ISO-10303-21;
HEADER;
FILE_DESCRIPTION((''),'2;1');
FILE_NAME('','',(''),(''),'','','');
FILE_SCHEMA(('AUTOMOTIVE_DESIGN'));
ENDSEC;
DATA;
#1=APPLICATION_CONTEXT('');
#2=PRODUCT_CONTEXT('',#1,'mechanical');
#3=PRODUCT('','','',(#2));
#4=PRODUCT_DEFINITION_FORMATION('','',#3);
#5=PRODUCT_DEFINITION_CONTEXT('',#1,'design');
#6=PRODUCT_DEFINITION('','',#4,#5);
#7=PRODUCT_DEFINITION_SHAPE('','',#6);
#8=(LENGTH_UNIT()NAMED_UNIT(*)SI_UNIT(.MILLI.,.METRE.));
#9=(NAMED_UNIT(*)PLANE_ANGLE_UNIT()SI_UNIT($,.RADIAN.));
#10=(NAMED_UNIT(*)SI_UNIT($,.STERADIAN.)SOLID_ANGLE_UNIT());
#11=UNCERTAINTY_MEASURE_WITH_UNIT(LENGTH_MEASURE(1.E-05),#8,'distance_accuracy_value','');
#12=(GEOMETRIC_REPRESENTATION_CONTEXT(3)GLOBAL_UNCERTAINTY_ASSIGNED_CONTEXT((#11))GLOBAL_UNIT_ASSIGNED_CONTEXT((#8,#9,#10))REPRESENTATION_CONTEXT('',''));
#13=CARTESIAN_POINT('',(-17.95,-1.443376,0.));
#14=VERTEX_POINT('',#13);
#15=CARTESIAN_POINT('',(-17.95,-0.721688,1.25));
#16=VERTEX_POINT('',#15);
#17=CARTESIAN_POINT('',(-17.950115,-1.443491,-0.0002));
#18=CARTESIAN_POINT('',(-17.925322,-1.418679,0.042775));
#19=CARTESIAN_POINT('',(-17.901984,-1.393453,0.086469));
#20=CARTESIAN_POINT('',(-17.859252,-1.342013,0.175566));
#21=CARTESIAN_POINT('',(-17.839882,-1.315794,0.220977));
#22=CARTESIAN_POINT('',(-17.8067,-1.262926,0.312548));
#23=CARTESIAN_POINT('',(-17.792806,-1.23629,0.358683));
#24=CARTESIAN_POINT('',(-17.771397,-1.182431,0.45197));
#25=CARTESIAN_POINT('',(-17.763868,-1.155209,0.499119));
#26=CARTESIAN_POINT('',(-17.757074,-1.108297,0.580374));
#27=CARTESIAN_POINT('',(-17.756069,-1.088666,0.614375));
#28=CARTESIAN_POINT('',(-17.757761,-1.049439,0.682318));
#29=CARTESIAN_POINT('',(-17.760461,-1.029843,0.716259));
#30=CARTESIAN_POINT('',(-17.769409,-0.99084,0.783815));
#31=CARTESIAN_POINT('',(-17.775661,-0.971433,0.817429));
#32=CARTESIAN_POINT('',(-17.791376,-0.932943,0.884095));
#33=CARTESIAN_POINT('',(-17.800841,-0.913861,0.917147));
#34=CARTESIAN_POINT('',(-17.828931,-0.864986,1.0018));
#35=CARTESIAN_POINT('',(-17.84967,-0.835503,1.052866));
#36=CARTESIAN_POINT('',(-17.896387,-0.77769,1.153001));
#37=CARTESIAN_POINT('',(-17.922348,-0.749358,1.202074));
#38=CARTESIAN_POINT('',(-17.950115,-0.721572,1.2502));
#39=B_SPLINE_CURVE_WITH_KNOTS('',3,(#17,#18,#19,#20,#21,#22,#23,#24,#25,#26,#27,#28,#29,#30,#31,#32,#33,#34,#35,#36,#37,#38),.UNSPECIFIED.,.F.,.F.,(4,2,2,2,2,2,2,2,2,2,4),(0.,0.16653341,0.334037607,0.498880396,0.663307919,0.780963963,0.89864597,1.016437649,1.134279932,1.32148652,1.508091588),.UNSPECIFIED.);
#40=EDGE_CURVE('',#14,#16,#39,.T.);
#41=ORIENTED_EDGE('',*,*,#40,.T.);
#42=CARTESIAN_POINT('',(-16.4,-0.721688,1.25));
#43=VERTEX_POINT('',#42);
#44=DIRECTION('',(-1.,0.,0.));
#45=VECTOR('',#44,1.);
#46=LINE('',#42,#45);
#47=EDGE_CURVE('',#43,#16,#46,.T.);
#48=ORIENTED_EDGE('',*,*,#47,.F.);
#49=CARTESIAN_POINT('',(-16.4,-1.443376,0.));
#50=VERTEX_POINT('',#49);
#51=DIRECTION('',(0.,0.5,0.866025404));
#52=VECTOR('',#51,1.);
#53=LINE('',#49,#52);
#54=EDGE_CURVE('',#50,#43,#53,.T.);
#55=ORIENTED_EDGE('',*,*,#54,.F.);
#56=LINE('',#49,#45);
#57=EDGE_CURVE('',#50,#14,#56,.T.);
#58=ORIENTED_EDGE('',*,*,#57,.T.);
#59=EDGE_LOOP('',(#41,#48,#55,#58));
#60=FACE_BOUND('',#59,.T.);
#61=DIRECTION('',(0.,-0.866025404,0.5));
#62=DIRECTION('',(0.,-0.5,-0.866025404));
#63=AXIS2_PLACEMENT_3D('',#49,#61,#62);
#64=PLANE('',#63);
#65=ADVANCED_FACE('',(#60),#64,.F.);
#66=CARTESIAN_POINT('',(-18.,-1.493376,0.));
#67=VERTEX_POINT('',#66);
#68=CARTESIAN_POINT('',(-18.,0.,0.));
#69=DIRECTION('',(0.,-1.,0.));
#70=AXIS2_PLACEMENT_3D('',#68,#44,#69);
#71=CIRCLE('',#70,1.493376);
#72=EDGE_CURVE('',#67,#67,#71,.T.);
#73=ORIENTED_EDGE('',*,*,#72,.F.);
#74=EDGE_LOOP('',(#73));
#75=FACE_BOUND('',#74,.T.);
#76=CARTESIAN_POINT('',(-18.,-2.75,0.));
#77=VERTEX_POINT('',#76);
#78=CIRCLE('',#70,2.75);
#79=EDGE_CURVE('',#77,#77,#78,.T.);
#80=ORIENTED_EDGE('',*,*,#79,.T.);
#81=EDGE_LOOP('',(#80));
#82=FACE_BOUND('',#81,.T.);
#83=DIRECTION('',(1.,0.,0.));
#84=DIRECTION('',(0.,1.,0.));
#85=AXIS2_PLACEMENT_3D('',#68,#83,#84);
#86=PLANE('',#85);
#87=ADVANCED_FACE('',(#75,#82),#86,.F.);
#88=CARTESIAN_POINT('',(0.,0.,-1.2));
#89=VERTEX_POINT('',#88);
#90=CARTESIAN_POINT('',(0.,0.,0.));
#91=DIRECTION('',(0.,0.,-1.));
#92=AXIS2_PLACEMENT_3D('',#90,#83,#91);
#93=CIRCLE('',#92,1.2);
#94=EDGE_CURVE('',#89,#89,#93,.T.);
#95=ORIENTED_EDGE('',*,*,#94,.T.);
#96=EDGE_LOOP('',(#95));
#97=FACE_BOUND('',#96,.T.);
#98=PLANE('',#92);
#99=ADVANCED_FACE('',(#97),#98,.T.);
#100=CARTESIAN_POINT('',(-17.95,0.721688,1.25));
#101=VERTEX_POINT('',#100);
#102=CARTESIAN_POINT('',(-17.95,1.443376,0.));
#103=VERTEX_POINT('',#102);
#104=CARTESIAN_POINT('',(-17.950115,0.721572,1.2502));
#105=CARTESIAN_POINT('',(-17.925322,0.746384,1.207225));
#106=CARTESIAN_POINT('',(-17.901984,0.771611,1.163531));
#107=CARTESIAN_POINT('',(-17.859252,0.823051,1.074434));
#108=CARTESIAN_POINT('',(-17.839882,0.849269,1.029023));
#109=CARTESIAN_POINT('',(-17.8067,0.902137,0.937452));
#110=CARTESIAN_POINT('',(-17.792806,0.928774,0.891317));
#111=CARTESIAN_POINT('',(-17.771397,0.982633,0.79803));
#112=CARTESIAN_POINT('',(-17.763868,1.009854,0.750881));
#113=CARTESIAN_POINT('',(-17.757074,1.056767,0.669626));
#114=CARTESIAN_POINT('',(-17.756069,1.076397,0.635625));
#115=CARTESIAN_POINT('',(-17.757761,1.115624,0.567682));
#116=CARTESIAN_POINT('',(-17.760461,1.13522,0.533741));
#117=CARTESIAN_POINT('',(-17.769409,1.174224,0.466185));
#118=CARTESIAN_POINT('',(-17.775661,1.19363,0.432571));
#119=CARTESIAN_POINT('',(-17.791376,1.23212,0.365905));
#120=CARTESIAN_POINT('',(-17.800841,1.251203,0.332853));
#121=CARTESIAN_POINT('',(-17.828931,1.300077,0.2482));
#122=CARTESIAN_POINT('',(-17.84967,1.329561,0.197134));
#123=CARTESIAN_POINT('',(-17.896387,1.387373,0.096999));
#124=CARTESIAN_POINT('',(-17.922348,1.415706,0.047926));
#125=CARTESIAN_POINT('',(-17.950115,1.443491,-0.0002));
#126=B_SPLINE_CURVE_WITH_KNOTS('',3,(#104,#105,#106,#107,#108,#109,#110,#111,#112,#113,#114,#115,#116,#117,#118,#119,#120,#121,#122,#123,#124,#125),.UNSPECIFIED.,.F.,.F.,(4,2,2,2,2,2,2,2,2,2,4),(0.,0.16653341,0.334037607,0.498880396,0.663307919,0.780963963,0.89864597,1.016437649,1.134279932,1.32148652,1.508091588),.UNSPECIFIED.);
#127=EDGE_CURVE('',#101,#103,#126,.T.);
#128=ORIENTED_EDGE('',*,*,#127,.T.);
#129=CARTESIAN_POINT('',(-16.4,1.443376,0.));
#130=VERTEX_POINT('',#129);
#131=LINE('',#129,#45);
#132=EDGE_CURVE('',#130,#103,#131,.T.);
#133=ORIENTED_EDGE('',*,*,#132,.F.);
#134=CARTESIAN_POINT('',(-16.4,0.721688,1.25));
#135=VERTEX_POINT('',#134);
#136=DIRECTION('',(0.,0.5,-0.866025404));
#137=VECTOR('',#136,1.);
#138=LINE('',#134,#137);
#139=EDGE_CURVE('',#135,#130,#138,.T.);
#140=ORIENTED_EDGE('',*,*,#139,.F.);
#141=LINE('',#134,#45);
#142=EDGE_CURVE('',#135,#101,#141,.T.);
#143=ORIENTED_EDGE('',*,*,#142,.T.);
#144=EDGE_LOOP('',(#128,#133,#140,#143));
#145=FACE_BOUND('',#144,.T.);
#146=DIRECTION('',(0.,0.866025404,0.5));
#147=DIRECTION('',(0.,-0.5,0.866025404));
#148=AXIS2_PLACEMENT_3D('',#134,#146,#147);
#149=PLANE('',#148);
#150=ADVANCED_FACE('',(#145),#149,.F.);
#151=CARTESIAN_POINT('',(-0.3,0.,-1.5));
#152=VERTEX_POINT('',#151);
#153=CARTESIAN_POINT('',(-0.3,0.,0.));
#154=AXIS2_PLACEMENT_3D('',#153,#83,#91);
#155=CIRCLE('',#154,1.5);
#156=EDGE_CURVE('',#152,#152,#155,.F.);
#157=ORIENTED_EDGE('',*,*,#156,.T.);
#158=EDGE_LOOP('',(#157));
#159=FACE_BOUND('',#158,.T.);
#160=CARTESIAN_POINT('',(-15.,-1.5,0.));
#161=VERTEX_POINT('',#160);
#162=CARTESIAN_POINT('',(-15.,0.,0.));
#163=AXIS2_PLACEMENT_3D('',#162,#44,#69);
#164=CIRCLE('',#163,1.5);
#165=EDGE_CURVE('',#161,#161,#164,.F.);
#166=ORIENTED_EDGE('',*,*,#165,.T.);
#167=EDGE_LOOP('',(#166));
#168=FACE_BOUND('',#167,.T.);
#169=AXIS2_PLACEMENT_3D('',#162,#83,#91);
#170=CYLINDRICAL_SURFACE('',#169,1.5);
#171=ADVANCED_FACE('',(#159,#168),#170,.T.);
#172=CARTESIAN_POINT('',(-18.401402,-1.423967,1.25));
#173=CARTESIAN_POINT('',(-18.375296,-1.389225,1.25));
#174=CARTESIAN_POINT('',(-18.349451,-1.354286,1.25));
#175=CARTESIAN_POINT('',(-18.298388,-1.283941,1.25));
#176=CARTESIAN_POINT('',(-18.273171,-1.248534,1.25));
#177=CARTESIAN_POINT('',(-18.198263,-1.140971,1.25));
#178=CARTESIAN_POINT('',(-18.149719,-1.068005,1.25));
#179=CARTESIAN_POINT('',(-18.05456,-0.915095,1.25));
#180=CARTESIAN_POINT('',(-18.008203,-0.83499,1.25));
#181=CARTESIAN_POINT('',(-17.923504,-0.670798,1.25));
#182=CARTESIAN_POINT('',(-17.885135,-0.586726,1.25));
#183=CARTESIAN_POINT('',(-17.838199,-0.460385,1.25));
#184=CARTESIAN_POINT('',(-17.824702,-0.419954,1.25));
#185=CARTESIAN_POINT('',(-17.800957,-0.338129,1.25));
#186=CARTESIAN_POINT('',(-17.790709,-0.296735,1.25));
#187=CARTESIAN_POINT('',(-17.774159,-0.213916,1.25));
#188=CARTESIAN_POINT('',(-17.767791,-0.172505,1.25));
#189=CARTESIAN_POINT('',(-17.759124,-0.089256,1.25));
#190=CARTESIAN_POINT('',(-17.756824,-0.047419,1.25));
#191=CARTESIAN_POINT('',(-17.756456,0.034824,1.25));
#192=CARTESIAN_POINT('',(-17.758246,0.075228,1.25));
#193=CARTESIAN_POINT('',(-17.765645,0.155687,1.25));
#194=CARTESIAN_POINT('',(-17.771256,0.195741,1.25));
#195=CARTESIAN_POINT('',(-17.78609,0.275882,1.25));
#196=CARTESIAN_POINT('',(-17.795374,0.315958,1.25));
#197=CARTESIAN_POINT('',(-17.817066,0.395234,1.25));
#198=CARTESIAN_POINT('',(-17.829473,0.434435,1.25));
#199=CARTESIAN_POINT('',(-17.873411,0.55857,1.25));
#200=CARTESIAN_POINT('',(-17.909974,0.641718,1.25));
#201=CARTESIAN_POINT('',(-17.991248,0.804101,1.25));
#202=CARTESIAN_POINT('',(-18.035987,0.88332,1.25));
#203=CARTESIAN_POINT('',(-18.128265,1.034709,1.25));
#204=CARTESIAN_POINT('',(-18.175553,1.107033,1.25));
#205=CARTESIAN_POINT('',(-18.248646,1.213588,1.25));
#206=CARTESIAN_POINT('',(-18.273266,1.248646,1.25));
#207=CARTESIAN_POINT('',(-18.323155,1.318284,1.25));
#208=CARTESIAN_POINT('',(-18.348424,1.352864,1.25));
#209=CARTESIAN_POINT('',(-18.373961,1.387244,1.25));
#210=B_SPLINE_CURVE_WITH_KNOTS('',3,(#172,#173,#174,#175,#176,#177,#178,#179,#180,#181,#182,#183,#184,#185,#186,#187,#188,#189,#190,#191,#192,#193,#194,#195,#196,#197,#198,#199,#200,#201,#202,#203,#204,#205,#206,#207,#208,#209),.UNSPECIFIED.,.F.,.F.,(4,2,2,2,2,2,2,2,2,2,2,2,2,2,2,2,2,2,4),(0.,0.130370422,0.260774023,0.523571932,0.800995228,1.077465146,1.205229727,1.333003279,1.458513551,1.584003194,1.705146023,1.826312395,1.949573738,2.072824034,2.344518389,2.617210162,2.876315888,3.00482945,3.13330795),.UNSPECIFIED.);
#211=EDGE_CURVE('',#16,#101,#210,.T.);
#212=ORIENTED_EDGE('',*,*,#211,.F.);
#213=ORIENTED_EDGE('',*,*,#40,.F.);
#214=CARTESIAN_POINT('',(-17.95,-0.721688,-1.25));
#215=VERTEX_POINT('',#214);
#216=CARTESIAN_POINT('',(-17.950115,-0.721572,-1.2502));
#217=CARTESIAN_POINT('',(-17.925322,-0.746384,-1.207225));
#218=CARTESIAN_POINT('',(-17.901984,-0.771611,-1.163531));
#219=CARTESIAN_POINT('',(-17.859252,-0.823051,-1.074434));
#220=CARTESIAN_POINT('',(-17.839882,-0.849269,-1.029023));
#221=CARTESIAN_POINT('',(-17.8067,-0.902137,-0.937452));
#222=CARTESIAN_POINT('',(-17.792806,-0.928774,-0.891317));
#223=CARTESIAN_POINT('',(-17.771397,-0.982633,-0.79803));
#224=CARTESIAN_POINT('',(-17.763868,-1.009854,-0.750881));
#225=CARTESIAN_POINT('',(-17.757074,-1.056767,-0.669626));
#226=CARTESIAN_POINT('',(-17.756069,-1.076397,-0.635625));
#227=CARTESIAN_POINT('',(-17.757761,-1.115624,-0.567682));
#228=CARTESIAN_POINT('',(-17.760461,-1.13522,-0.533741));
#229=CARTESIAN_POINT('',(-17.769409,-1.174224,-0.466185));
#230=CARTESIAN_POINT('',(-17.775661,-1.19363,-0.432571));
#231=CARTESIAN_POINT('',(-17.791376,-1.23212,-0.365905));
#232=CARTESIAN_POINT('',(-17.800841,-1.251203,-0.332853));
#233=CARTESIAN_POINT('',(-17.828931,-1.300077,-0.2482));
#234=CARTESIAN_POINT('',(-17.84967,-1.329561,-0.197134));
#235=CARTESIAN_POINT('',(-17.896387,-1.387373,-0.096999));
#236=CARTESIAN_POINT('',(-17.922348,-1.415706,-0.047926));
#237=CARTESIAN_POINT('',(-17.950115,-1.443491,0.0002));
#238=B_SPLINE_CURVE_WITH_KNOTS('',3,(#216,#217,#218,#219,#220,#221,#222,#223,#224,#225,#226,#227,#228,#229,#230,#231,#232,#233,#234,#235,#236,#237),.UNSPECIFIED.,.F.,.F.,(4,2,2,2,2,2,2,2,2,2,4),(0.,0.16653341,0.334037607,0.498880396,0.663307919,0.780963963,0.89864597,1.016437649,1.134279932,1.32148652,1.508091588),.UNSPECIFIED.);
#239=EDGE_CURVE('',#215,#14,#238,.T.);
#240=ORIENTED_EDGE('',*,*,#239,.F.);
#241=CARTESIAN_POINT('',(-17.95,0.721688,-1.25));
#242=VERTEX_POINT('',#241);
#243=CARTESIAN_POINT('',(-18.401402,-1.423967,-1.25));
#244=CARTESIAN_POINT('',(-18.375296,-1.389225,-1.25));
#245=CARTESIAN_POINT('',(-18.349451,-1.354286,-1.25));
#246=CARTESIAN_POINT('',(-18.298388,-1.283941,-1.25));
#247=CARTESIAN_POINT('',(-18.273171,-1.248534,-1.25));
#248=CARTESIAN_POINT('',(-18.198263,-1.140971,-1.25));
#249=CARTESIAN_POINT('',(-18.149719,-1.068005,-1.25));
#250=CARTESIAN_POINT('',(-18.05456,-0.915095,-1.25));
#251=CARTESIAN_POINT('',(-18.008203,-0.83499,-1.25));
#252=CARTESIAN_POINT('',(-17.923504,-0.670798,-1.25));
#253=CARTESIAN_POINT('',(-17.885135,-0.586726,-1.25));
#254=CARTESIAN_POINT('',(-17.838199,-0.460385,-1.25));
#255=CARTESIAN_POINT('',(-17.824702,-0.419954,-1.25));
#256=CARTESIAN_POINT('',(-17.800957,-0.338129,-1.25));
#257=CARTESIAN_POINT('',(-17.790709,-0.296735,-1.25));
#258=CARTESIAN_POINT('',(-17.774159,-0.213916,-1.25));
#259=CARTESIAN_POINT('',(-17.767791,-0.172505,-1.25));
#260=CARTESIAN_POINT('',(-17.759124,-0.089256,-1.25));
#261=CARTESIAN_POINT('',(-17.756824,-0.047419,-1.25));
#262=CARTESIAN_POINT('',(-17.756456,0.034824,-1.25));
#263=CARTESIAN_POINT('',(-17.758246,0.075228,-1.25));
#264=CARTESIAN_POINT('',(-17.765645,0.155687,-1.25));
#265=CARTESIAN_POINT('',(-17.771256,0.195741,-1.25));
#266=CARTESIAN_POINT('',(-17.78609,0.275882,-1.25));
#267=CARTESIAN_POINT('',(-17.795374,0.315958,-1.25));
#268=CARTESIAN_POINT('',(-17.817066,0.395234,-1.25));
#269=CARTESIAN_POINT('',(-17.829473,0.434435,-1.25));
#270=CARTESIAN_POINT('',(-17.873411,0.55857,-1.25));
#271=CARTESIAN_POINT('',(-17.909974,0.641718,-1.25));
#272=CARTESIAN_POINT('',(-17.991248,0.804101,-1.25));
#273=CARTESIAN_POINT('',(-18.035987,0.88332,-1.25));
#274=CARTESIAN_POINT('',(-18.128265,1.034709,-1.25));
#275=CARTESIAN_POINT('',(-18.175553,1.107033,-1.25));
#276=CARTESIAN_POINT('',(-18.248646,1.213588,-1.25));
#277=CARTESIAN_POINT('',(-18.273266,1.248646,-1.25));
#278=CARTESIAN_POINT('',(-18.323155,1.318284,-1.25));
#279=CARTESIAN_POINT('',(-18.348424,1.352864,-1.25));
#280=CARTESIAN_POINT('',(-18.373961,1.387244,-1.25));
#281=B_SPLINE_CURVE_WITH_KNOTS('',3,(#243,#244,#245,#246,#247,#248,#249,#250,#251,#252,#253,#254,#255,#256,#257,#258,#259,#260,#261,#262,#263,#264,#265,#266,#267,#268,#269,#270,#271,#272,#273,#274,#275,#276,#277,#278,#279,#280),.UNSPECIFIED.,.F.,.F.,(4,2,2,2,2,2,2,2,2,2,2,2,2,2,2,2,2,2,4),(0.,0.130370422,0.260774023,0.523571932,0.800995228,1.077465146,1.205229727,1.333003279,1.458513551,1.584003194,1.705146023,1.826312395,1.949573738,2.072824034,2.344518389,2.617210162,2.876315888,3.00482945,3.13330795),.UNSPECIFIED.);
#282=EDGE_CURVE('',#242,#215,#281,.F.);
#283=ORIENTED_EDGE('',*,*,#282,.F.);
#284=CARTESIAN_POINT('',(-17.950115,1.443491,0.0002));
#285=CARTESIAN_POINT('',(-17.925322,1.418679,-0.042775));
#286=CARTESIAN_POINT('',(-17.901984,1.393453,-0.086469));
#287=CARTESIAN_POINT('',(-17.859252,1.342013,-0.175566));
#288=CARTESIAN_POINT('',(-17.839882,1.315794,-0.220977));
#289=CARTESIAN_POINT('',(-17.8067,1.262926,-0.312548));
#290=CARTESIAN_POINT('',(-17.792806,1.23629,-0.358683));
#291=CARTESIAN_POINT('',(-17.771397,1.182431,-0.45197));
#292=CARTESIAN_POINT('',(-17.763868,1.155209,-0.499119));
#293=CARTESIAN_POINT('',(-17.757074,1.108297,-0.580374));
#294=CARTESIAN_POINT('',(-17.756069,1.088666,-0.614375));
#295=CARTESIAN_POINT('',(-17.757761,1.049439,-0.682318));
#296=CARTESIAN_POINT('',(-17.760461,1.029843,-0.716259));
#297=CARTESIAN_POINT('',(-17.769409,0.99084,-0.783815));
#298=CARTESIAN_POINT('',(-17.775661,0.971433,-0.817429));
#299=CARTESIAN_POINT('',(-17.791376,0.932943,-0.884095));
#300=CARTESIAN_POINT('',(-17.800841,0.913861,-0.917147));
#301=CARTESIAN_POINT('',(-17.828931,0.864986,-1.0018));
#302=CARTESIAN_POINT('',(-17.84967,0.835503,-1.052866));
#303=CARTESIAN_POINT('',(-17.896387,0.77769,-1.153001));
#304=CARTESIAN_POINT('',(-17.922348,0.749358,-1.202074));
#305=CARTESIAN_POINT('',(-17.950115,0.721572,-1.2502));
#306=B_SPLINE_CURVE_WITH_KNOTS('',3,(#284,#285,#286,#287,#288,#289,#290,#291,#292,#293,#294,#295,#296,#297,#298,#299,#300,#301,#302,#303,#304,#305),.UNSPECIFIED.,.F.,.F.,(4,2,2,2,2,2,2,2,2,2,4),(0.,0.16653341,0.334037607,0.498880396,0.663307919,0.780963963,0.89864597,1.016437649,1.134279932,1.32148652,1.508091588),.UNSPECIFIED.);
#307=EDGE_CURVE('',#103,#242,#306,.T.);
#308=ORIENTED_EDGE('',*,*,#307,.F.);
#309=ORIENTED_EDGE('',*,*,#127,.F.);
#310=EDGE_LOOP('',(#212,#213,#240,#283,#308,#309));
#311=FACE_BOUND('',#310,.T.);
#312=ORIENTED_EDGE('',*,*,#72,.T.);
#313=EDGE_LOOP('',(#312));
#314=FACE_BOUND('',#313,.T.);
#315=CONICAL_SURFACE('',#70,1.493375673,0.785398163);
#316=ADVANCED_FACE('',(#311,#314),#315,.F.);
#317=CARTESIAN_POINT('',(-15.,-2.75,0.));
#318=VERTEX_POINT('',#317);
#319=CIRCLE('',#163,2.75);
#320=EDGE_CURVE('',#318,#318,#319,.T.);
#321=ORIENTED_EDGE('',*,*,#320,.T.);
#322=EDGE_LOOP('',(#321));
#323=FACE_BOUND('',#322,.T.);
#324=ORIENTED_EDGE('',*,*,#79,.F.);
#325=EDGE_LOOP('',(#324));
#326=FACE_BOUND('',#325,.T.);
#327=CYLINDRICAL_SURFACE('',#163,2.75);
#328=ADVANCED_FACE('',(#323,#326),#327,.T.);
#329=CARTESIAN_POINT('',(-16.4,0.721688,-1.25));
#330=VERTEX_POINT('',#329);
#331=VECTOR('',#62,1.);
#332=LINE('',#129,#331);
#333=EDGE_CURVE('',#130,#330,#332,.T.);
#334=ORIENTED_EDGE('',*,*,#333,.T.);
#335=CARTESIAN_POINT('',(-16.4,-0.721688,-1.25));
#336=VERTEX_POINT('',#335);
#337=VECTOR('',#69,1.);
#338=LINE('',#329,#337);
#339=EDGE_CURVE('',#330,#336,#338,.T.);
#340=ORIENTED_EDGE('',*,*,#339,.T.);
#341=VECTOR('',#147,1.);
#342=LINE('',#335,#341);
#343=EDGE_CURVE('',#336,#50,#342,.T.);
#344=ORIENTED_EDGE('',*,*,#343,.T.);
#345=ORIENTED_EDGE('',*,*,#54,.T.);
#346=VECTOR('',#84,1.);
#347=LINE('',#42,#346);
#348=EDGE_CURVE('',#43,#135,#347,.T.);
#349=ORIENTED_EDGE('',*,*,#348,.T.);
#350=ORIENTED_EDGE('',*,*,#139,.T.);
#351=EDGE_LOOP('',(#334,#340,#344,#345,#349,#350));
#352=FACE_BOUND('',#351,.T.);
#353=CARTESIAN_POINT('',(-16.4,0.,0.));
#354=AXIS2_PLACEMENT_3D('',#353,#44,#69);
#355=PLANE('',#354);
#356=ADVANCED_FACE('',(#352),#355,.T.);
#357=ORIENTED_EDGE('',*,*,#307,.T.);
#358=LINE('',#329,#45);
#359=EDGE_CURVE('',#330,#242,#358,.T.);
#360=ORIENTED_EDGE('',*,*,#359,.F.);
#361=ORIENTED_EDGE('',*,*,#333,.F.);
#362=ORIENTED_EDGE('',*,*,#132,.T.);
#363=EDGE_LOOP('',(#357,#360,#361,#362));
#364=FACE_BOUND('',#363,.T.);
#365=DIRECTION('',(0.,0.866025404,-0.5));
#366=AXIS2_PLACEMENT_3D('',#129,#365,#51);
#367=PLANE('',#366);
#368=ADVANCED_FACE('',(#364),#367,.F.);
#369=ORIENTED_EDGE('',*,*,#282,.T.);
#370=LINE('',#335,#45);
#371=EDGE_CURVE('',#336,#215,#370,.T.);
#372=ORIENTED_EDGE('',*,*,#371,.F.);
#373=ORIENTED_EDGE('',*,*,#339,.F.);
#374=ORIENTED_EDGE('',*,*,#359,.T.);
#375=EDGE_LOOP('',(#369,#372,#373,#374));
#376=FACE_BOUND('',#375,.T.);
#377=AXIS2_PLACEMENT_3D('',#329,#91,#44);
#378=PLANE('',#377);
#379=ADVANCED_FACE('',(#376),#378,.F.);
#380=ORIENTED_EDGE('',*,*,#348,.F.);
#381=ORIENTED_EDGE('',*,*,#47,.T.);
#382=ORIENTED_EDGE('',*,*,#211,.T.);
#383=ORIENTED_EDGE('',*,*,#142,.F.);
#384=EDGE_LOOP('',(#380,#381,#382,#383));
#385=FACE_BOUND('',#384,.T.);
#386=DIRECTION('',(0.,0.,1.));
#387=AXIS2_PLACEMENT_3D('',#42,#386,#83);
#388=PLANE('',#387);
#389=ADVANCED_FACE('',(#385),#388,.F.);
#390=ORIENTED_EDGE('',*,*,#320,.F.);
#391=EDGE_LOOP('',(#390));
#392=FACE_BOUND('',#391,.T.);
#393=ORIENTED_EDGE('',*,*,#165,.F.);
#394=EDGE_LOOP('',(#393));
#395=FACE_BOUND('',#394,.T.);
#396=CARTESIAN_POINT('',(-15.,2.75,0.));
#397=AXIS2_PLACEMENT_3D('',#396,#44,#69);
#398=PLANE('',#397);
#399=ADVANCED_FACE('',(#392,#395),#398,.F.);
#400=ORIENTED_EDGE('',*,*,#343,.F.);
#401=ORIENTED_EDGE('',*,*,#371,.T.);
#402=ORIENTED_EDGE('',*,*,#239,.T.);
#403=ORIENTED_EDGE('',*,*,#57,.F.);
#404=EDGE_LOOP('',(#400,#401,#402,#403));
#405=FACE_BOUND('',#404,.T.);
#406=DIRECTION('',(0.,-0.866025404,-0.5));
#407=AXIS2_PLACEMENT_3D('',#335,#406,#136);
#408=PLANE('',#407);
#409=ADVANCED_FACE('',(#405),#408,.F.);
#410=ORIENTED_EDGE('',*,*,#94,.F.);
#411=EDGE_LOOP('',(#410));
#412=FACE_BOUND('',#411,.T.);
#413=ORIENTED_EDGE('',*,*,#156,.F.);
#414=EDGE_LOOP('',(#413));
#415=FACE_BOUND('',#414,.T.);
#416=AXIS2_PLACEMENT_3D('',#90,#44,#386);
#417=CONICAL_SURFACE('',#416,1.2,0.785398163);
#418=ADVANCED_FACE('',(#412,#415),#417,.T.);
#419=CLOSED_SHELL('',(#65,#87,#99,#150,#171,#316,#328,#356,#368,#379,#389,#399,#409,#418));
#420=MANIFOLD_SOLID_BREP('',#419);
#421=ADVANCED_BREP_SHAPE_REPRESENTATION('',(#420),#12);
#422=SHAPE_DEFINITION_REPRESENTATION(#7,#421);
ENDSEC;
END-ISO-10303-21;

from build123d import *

# Parameters (mm, degrees)
SKETCH2_R           = 1.5
BOSS_EXTRUDE1_DEPTH = 15
CHAMFER1_SIZE       = 0.3
SKETCH6_W           = 3
SKETCH6_H           = 2.75
CUT_EXTRUDE1_DEPTH  = 1.6
SKETCH8_R           = 1.493375673
CUT_EXTRUDE2_DEPTH  = 1
CUT_EXTRUDE2_TAPER  = 45


with BuildPart() as part:
    # Sketch2 → Boss-Extrude1 (new body)
    with BuildSketch(Plane(origin=(0, 0, 0), x_dir=(0, 0, -1), z_dir=(1, 0, 0))):
        Circle(SKETCH2_R)
    extrude(amount=-BOSS_EXTRUDE1_DEPTH)

    # Chamfer1
    chamfer1_edges = [part.edges().sort_by_distance(p)[0] for p in [
        (0, 0, 1.5),
    ]]
    chamfer(chamfer1_edges, length=CHAMFER1_SIZE)

    # Sketch6 → Revolve1 (revolve)
    with BuildSketch(Plane.XY):
        with Locations((-16.5, 1.375)):
            Rectangle(SKETCH6_W, SKETCH6_H)
    revolve(axis=Axis((-15, 0, 0), (1, 0, 0)))

    # Sketch7 → Cut-Extrude1 (cut)
    with BuildSketch(Plane.ZY.offset(18)):
        Polygon((0, 1.443375673), (-1.25, 0.721687836), (-1.25, -0.721687836), (0, -1.443375673), (1.25, -0.721687836), (1.25, 0.721687836), align=None)
    extrude(amount=-CUT_EXTRUDE1_DEPTH, mode=Mode.SUBTRACT)

    # Sketch8 → Cut-Extrude2 (cut)
    with BuildSketch(Plane.ZY.offset(18)):
        Circle(SKETCH8_R)
    extrude(amount=-CUT_EXTRUDE2_DEPTH, taper=CUT_EXTRUDE2_TAPER, mode=Mode.SUBTRACT)


solid = part.part
